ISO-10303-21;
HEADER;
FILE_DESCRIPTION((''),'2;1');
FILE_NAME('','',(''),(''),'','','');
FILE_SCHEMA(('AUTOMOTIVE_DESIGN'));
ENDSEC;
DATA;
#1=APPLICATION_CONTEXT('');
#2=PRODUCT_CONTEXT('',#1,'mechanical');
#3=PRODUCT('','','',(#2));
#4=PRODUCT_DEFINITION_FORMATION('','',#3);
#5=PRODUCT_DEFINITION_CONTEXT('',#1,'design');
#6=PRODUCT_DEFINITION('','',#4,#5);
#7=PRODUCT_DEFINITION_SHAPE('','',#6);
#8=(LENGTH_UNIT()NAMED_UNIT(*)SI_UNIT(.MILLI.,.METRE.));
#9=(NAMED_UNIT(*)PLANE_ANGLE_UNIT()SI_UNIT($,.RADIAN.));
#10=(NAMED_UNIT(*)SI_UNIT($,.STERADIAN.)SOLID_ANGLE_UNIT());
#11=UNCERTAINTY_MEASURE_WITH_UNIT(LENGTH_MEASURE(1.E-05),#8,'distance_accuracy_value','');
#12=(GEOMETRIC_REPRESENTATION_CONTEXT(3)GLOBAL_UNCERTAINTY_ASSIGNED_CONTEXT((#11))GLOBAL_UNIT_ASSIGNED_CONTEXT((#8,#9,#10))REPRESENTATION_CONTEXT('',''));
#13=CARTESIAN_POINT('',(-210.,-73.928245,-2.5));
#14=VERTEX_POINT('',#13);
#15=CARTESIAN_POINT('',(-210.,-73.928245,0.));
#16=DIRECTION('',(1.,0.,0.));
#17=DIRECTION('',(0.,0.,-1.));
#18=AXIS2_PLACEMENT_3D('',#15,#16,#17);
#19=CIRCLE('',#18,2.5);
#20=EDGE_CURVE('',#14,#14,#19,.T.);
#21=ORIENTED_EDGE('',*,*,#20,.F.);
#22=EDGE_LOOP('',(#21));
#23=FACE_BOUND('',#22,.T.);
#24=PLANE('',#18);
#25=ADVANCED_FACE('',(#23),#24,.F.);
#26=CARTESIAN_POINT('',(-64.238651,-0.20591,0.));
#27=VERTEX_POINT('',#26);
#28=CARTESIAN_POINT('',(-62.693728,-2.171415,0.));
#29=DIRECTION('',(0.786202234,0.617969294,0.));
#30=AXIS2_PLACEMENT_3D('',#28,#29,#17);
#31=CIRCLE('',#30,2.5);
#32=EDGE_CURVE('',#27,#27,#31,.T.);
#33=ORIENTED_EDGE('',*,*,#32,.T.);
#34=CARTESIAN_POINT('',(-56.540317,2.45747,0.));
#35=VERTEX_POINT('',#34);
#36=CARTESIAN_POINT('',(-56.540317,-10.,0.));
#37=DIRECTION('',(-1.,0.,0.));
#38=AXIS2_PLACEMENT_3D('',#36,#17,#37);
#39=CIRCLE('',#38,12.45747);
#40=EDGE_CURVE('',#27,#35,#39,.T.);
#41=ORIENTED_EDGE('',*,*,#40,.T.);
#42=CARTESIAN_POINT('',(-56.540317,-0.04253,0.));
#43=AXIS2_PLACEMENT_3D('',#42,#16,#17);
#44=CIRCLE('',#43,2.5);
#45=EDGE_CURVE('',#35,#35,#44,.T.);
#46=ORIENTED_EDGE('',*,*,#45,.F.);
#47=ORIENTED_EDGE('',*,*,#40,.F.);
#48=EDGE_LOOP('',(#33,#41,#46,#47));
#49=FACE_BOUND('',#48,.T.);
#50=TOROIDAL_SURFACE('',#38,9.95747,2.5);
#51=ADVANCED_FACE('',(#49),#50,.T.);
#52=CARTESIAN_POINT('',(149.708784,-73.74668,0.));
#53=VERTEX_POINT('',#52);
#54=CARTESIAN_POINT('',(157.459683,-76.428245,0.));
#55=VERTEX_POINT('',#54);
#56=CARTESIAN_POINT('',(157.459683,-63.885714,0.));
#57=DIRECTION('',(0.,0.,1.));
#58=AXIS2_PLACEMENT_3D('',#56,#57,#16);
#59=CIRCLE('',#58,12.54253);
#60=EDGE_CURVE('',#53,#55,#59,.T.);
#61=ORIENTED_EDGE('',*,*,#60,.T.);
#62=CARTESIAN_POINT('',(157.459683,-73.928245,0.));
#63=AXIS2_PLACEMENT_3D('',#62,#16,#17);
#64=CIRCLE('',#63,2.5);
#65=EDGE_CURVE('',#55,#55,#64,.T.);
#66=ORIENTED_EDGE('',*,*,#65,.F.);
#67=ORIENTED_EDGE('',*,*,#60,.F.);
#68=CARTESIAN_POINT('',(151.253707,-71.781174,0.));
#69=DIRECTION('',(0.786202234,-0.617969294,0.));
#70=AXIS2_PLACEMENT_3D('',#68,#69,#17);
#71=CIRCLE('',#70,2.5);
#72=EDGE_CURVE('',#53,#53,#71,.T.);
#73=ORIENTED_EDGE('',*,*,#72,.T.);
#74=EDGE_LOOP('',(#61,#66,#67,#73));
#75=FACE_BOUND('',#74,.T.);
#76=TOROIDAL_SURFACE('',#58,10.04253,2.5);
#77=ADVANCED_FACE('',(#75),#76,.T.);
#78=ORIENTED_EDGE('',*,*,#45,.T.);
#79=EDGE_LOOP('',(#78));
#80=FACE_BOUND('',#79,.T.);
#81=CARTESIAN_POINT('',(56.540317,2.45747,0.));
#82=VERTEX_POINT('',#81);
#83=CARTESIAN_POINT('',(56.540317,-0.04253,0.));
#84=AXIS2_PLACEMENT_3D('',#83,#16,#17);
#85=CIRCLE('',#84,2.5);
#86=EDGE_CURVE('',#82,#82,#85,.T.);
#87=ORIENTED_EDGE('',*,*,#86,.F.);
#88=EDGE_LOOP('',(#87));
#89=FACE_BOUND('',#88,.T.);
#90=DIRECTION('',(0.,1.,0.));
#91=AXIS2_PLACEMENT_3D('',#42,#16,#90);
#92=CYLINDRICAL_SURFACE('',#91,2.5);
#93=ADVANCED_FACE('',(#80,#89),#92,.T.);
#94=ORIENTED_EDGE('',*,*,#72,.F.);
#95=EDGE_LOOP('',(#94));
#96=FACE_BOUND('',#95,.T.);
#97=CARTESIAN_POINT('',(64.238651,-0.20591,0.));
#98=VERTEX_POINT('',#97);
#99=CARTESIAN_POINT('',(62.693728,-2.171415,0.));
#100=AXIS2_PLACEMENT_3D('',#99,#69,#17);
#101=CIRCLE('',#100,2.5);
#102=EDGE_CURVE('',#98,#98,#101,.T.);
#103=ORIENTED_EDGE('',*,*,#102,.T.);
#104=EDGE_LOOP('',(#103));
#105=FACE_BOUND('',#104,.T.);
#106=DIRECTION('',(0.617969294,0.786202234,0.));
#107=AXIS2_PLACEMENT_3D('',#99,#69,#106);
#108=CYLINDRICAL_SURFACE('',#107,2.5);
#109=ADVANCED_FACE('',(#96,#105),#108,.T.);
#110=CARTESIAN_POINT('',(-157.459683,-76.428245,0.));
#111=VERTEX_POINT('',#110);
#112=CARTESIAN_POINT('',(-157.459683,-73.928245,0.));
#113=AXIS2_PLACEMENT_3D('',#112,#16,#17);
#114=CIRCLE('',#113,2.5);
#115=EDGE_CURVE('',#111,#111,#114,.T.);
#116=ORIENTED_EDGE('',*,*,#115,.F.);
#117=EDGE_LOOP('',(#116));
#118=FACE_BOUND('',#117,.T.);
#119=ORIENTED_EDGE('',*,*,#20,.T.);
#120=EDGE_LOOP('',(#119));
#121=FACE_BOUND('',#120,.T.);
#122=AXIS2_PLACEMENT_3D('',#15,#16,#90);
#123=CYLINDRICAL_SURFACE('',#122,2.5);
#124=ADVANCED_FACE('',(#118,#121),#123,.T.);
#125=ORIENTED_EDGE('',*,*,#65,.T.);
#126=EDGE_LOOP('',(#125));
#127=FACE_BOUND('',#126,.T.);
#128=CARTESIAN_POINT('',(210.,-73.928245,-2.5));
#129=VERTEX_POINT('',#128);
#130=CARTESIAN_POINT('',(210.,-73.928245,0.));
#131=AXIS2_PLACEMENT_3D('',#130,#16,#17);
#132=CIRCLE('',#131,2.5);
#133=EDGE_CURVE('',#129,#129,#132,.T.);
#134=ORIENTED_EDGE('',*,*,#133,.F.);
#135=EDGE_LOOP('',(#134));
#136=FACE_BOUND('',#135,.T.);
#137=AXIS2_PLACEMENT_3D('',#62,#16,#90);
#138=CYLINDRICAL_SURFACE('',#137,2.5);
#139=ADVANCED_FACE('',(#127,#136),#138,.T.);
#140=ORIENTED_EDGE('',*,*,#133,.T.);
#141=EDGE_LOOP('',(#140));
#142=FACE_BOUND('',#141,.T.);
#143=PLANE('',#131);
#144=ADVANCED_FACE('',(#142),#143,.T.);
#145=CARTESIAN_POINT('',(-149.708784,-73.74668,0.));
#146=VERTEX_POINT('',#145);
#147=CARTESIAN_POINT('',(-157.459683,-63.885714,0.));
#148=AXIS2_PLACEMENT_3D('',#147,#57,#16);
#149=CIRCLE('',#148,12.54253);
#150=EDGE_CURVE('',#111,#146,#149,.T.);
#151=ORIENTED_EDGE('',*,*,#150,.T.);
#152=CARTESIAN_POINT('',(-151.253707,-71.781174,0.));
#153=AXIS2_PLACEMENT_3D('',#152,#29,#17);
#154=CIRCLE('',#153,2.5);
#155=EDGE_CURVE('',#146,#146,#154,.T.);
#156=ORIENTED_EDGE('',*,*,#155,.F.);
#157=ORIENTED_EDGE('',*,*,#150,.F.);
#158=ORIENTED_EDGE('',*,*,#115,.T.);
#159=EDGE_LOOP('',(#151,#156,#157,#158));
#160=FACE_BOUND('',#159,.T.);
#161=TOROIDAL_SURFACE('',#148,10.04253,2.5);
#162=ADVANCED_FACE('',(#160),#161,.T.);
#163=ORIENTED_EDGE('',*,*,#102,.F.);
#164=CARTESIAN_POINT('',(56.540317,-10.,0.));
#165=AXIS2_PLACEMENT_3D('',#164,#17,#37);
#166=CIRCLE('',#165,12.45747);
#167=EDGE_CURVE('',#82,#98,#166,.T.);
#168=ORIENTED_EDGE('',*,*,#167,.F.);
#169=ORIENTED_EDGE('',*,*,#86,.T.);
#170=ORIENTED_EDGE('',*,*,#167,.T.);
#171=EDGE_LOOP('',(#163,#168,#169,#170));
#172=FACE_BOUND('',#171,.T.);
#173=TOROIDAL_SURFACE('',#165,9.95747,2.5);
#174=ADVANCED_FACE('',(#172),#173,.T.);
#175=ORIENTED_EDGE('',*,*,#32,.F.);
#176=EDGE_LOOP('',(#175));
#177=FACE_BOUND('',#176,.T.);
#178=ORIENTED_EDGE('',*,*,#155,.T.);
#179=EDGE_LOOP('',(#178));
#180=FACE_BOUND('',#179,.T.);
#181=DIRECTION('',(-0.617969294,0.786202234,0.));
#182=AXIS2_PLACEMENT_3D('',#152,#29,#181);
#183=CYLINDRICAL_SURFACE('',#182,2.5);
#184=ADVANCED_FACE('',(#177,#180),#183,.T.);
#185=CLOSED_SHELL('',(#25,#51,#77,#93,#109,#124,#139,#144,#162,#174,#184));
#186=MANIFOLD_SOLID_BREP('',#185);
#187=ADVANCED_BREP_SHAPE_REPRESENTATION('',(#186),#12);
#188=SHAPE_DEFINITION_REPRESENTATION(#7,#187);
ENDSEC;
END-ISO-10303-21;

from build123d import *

# Parameters (mm, degrees)
SKETCH2_R = 2.5


with BuildPart() as part:
    # Sweep1: sweep along a path in Sketch1
    with BuildLine(Plane.XY) as sweep1_path:
        Line((210, -73.885714286), (157.459682683, -73.885714286))
        ThreePointArc((157.459682683, -73.885714286), (154.190143217, -73.336117012), (151.279989747, -71.747736622))
        Line((151.279989747, -71.747736622), (62.720010253, -2.137977664))
        ThreePointArc((62.720010253, -2.137977664), (59.809856783, -0.549597274), (56.540317317, 0))
        Line((56.540317317, 0), (-56.540317317, 0))
        ThreePointArc((-56.540317317, 0), (-59.809856783, -0.549597274), (-62.720010253, -2.137977664))
        Line((-62.720010253, -2.137977664), (-151.279989747, -71.747736622))
        ThreePointArc((-151.279989747, -71.747736622), (-154.190143217, -73.336117012), (-157.459682683, -73.885714286))
        Line((-157.459682683, -73.885714286), (-210, -73.885714286))
    # Sketch2 → Sweep1 (sweep)
    with BuildSketch(Plane(origin=(210, -73.885714286, 0), x_dir=(0, 0, -1), z_dir=(1, 0, 0))):
        with Locations((0, -0.042530313)):
            Circle(SKETCH2_R)
    sweep(path=sweep1_path.line)


solid = part.part
